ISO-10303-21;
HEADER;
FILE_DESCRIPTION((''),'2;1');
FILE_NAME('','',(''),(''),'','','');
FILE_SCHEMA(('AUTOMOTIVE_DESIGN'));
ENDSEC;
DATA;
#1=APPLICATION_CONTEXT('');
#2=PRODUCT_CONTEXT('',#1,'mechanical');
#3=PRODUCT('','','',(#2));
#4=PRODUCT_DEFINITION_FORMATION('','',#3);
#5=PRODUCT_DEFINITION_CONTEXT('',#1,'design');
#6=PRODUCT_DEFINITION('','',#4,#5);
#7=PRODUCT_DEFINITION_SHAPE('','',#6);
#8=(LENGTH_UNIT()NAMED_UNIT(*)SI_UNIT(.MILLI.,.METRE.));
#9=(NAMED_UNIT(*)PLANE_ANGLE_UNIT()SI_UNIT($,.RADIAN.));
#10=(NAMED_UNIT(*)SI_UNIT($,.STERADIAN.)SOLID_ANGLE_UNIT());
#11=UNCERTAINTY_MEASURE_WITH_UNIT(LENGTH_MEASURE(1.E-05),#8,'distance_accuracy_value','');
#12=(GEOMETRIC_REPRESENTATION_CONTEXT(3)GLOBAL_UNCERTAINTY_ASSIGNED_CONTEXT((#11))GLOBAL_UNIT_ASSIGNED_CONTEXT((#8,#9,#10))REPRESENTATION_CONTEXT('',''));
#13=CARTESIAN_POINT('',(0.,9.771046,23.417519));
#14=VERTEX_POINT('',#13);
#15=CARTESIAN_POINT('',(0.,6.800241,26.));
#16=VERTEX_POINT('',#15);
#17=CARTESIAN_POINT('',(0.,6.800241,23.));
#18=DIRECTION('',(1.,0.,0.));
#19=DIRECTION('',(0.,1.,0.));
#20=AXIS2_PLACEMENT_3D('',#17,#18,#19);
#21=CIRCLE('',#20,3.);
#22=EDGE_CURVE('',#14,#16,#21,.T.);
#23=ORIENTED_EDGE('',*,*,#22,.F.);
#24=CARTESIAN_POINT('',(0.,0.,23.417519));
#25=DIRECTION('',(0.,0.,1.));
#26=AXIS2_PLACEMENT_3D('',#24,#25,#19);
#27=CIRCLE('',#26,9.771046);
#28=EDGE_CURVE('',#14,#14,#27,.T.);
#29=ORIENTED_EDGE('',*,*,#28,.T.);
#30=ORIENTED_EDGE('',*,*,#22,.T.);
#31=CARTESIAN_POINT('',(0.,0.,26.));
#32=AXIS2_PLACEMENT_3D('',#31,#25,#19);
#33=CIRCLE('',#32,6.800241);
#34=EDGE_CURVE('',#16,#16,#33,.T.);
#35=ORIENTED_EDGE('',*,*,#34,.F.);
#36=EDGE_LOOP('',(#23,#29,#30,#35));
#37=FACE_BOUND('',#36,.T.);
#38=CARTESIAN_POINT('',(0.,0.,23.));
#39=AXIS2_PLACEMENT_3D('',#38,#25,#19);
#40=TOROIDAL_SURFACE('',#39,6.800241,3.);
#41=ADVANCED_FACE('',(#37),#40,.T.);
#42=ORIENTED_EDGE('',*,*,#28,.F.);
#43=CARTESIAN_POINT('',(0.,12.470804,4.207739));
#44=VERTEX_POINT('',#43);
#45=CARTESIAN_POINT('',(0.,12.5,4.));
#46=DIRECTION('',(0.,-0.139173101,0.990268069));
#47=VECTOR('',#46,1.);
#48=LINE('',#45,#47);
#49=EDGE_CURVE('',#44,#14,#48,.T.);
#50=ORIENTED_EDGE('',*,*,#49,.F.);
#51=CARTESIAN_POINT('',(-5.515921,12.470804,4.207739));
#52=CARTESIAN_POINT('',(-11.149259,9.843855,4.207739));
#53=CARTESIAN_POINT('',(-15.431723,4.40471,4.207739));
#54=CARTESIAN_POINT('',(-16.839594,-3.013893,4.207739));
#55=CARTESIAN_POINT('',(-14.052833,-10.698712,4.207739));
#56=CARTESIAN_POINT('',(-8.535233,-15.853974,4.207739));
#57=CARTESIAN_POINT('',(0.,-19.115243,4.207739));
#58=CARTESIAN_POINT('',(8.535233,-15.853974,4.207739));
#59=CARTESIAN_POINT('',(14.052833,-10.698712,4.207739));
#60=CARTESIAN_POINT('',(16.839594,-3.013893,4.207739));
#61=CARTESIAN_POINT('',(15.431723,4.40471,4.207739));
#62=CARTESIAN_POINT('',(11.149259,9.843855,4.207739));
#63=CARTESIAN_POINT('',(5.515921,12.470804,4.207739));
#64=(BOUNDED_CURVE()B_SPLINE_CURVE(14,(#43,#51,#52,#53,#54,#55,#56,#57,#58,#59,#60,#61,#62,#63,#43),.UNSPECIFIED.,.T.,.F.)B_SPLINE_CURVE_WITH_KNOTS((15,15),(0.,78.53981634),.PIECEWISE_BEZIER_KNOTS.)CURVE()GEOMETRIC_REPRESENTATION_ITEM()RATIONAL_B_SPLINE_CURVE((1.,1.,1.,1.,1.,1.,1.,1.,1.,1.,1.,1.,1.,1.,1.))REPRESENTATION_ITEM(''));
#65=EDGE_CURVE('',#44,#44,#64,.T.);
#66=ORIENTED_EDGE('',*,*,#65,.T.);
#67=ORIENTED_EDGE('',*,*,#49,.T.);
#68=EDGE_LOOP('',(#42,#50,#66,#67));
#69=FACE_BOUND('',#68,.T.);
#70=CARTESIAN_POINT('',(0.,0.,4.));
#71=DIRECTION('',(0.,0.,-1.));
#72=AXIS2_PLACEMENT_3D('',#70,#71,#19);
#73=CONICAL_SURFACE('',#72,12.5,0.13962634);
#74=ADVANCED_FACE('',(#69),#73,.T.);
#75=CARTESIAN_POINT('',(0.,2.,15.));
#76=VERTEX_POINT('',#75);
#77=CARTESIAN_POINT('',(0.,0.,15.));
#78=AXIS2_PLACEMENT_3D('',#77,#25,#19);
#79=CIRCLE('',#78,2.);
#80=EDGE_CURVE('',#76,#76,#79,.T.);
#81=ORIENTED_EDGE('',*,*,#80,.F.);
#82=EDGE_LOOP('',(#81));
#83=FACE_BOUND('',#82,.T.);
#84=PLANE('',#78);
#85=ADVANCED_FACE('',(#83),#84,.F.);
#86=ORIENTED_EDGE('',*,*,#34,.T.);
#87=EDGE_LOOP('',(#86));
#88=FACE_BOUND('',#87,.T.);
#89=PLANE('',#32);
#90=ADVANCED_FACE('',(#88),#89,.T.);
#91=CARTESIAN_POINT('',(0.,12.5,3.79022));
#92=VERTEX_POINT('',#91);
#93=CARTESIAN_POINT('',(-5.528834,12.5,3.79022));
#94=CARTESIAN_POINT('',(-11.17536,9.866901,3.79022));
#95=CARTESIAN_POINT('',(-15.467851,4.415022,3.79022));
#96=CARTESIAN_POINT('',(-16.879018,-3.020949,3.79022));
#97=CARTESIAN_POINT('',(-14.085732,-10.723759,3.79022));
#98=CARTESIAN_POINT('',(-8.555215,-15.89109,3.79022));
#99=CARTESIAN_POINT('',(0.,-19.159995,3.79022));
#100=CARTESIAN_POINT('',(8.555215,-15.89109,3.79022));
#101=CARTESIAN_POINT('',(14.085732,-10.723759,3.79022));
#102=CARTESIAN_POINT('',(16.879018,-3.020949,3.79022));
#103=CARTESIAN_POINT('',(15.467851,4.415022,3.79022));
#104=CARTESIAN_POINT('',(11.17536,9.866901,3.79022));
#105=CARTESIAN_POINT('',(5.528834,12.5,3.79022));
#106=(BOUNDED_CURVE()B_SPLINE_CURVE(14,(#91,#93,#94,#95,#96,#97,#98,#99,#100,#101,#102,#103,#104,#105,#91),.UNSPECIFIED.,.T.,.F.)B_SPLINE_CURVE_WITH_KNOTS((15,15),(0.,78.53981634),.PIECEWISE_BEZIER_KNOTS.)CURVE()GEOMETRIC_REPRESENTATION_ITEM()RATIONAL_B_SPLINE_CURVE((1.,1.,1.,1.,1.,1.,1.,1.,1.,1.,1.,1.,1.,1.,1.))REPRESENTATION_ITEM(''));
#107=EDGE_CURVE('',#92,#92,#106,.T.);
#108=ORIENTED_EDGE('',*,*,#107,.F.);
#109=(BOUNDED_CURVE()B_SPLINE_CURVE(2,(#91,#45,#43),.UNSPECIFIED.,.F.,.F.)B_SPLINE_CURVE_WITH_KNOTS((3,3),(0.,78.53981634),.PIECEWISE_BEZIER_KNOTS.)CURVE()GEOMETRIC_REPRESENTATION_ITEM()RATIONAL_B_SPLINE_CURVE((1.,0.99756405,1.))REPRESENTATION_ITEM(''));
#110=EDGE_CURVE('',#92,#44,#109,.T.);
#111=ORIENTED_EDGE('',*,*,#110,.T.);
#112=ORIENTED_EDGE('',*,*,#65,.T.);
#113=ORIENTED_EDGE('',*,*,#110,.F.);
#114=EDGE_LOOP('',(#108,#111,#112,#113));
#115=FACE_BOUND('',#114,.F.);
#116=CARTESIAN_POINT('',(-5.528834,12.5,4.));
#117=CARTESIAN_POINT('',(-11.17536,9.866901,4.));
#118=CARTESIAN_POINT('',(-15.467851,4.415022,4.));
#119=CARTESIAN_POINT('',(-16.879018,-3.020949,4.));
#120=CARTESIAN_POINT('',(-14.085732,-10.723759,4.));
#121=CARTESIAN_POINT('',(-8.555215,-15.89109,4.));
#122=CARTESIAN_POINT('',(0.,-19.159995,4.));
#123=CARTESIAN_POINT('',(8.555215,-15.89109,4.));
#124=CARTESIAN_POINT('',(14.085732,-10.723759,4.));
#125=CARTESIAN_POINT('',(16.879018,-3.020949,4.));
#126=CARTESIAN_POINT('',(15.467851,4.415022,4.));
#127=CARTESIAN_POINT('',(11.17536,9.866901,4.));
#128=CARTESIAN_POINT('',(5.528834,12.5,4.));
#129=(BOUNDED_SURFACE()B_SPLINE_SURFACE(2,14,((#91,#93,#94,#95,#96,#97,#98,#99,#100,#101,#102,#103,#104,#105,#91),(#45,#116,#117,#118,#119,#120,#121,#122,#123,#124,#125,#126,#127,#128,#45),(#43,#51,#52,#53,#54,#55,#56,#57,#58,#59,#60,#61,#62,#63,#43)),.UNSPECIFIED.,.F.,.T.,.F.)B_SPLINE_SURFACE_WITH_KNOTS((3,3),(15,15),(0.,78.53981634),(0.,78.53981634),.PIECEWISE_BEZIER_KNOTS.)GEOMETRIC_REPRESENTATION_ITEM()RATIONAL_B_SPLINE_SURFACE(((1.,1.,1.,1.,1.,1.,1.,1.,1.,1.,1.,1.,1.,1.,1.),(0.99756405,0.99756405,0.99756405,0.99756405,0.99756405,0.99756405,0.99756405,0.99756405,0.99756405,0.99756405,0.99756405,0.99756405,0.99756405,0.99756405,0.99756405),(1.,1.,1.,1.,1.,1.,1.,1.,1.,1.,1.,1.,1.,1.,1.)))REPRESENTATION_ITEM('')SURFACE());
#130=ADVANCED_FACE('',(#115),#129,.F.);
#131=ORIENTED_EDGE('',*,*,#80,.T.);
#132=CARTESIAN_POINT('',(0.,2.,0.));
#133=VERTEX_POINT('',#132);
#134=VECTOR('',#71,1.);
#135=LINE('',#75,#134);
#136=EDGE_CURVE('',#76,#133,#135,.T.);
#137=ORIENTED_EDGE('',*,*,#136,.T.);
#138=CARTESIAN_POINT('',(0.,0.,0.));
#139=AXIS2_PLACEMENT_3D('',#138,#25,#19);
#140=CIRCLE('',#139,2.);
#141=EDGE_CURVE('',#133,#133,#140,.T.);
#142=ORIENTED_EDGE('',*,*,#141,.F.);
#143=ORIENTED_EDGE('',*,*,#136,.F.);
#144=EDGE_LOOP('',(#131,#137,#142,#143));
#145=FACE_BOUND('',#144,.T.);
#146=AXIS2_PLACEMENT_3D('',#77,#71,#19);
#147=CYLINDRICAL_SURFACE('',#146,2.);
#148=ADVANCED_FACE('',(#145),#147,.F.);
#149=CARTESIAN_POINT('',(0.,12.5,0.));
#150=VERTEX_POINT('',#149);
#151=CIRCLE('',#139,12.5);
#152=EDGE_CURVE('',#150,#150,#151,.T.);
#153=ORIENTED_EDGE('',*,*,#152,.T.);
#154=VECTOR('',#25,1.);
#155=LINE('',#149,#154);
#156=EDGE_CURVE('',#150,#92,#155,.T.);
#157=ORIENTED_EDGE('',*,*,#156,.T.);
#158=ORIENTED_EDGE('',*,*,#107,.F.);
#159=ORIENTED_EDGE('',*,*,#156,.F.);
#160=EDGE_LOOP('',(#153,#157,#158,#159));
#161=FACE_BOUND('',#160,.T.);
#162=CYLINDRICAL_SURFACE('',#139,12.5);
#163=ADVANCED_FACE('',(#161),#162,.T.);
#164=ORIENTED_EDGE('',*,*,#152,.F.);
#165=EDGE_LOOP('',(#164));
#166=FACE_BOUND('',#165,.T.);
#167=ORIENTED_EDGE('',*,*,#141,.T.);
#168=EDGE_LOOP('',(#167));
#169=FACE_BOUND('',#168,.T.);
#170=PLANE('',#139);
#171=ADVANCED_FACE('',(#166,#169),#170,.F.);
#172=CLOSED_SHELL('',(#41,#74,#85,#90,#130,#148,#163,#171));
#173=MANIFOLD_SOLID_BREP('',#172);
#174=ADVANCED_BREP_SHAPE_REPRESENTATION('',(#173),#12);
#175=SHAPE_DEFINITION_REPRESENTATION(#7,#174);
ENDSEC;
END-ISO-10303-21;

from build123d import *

# Parameters (mm, degrees)
FILLET1_R = 3


with BuildPart() as part:
    # Sketch1 → Revolve1 (revolve)
    with BuildSketch(Plane(origin=(0, 0, 0), x_dir=(0, 0, -1), z_dir=(1, 0, 0))):
        Polygon((-26, 0), (-15, 0), (-15, 2), (0, 2), (0, 12.5), (-4, 12.5), (-26, 9.408101637), align=None)
    revolve(axis=Axis((0, 0, 0), (0, 0, 1)))

    # Fillet1
    fillet1_edges = [part.edges().sort_by_distance(p)[0] for p in [
        (0, -9.408101637, 26),
        (0, -12.5, 4),
    ]]
    fillet(fillet1_edges, radius=FILLET1_R)


solid = part.part
